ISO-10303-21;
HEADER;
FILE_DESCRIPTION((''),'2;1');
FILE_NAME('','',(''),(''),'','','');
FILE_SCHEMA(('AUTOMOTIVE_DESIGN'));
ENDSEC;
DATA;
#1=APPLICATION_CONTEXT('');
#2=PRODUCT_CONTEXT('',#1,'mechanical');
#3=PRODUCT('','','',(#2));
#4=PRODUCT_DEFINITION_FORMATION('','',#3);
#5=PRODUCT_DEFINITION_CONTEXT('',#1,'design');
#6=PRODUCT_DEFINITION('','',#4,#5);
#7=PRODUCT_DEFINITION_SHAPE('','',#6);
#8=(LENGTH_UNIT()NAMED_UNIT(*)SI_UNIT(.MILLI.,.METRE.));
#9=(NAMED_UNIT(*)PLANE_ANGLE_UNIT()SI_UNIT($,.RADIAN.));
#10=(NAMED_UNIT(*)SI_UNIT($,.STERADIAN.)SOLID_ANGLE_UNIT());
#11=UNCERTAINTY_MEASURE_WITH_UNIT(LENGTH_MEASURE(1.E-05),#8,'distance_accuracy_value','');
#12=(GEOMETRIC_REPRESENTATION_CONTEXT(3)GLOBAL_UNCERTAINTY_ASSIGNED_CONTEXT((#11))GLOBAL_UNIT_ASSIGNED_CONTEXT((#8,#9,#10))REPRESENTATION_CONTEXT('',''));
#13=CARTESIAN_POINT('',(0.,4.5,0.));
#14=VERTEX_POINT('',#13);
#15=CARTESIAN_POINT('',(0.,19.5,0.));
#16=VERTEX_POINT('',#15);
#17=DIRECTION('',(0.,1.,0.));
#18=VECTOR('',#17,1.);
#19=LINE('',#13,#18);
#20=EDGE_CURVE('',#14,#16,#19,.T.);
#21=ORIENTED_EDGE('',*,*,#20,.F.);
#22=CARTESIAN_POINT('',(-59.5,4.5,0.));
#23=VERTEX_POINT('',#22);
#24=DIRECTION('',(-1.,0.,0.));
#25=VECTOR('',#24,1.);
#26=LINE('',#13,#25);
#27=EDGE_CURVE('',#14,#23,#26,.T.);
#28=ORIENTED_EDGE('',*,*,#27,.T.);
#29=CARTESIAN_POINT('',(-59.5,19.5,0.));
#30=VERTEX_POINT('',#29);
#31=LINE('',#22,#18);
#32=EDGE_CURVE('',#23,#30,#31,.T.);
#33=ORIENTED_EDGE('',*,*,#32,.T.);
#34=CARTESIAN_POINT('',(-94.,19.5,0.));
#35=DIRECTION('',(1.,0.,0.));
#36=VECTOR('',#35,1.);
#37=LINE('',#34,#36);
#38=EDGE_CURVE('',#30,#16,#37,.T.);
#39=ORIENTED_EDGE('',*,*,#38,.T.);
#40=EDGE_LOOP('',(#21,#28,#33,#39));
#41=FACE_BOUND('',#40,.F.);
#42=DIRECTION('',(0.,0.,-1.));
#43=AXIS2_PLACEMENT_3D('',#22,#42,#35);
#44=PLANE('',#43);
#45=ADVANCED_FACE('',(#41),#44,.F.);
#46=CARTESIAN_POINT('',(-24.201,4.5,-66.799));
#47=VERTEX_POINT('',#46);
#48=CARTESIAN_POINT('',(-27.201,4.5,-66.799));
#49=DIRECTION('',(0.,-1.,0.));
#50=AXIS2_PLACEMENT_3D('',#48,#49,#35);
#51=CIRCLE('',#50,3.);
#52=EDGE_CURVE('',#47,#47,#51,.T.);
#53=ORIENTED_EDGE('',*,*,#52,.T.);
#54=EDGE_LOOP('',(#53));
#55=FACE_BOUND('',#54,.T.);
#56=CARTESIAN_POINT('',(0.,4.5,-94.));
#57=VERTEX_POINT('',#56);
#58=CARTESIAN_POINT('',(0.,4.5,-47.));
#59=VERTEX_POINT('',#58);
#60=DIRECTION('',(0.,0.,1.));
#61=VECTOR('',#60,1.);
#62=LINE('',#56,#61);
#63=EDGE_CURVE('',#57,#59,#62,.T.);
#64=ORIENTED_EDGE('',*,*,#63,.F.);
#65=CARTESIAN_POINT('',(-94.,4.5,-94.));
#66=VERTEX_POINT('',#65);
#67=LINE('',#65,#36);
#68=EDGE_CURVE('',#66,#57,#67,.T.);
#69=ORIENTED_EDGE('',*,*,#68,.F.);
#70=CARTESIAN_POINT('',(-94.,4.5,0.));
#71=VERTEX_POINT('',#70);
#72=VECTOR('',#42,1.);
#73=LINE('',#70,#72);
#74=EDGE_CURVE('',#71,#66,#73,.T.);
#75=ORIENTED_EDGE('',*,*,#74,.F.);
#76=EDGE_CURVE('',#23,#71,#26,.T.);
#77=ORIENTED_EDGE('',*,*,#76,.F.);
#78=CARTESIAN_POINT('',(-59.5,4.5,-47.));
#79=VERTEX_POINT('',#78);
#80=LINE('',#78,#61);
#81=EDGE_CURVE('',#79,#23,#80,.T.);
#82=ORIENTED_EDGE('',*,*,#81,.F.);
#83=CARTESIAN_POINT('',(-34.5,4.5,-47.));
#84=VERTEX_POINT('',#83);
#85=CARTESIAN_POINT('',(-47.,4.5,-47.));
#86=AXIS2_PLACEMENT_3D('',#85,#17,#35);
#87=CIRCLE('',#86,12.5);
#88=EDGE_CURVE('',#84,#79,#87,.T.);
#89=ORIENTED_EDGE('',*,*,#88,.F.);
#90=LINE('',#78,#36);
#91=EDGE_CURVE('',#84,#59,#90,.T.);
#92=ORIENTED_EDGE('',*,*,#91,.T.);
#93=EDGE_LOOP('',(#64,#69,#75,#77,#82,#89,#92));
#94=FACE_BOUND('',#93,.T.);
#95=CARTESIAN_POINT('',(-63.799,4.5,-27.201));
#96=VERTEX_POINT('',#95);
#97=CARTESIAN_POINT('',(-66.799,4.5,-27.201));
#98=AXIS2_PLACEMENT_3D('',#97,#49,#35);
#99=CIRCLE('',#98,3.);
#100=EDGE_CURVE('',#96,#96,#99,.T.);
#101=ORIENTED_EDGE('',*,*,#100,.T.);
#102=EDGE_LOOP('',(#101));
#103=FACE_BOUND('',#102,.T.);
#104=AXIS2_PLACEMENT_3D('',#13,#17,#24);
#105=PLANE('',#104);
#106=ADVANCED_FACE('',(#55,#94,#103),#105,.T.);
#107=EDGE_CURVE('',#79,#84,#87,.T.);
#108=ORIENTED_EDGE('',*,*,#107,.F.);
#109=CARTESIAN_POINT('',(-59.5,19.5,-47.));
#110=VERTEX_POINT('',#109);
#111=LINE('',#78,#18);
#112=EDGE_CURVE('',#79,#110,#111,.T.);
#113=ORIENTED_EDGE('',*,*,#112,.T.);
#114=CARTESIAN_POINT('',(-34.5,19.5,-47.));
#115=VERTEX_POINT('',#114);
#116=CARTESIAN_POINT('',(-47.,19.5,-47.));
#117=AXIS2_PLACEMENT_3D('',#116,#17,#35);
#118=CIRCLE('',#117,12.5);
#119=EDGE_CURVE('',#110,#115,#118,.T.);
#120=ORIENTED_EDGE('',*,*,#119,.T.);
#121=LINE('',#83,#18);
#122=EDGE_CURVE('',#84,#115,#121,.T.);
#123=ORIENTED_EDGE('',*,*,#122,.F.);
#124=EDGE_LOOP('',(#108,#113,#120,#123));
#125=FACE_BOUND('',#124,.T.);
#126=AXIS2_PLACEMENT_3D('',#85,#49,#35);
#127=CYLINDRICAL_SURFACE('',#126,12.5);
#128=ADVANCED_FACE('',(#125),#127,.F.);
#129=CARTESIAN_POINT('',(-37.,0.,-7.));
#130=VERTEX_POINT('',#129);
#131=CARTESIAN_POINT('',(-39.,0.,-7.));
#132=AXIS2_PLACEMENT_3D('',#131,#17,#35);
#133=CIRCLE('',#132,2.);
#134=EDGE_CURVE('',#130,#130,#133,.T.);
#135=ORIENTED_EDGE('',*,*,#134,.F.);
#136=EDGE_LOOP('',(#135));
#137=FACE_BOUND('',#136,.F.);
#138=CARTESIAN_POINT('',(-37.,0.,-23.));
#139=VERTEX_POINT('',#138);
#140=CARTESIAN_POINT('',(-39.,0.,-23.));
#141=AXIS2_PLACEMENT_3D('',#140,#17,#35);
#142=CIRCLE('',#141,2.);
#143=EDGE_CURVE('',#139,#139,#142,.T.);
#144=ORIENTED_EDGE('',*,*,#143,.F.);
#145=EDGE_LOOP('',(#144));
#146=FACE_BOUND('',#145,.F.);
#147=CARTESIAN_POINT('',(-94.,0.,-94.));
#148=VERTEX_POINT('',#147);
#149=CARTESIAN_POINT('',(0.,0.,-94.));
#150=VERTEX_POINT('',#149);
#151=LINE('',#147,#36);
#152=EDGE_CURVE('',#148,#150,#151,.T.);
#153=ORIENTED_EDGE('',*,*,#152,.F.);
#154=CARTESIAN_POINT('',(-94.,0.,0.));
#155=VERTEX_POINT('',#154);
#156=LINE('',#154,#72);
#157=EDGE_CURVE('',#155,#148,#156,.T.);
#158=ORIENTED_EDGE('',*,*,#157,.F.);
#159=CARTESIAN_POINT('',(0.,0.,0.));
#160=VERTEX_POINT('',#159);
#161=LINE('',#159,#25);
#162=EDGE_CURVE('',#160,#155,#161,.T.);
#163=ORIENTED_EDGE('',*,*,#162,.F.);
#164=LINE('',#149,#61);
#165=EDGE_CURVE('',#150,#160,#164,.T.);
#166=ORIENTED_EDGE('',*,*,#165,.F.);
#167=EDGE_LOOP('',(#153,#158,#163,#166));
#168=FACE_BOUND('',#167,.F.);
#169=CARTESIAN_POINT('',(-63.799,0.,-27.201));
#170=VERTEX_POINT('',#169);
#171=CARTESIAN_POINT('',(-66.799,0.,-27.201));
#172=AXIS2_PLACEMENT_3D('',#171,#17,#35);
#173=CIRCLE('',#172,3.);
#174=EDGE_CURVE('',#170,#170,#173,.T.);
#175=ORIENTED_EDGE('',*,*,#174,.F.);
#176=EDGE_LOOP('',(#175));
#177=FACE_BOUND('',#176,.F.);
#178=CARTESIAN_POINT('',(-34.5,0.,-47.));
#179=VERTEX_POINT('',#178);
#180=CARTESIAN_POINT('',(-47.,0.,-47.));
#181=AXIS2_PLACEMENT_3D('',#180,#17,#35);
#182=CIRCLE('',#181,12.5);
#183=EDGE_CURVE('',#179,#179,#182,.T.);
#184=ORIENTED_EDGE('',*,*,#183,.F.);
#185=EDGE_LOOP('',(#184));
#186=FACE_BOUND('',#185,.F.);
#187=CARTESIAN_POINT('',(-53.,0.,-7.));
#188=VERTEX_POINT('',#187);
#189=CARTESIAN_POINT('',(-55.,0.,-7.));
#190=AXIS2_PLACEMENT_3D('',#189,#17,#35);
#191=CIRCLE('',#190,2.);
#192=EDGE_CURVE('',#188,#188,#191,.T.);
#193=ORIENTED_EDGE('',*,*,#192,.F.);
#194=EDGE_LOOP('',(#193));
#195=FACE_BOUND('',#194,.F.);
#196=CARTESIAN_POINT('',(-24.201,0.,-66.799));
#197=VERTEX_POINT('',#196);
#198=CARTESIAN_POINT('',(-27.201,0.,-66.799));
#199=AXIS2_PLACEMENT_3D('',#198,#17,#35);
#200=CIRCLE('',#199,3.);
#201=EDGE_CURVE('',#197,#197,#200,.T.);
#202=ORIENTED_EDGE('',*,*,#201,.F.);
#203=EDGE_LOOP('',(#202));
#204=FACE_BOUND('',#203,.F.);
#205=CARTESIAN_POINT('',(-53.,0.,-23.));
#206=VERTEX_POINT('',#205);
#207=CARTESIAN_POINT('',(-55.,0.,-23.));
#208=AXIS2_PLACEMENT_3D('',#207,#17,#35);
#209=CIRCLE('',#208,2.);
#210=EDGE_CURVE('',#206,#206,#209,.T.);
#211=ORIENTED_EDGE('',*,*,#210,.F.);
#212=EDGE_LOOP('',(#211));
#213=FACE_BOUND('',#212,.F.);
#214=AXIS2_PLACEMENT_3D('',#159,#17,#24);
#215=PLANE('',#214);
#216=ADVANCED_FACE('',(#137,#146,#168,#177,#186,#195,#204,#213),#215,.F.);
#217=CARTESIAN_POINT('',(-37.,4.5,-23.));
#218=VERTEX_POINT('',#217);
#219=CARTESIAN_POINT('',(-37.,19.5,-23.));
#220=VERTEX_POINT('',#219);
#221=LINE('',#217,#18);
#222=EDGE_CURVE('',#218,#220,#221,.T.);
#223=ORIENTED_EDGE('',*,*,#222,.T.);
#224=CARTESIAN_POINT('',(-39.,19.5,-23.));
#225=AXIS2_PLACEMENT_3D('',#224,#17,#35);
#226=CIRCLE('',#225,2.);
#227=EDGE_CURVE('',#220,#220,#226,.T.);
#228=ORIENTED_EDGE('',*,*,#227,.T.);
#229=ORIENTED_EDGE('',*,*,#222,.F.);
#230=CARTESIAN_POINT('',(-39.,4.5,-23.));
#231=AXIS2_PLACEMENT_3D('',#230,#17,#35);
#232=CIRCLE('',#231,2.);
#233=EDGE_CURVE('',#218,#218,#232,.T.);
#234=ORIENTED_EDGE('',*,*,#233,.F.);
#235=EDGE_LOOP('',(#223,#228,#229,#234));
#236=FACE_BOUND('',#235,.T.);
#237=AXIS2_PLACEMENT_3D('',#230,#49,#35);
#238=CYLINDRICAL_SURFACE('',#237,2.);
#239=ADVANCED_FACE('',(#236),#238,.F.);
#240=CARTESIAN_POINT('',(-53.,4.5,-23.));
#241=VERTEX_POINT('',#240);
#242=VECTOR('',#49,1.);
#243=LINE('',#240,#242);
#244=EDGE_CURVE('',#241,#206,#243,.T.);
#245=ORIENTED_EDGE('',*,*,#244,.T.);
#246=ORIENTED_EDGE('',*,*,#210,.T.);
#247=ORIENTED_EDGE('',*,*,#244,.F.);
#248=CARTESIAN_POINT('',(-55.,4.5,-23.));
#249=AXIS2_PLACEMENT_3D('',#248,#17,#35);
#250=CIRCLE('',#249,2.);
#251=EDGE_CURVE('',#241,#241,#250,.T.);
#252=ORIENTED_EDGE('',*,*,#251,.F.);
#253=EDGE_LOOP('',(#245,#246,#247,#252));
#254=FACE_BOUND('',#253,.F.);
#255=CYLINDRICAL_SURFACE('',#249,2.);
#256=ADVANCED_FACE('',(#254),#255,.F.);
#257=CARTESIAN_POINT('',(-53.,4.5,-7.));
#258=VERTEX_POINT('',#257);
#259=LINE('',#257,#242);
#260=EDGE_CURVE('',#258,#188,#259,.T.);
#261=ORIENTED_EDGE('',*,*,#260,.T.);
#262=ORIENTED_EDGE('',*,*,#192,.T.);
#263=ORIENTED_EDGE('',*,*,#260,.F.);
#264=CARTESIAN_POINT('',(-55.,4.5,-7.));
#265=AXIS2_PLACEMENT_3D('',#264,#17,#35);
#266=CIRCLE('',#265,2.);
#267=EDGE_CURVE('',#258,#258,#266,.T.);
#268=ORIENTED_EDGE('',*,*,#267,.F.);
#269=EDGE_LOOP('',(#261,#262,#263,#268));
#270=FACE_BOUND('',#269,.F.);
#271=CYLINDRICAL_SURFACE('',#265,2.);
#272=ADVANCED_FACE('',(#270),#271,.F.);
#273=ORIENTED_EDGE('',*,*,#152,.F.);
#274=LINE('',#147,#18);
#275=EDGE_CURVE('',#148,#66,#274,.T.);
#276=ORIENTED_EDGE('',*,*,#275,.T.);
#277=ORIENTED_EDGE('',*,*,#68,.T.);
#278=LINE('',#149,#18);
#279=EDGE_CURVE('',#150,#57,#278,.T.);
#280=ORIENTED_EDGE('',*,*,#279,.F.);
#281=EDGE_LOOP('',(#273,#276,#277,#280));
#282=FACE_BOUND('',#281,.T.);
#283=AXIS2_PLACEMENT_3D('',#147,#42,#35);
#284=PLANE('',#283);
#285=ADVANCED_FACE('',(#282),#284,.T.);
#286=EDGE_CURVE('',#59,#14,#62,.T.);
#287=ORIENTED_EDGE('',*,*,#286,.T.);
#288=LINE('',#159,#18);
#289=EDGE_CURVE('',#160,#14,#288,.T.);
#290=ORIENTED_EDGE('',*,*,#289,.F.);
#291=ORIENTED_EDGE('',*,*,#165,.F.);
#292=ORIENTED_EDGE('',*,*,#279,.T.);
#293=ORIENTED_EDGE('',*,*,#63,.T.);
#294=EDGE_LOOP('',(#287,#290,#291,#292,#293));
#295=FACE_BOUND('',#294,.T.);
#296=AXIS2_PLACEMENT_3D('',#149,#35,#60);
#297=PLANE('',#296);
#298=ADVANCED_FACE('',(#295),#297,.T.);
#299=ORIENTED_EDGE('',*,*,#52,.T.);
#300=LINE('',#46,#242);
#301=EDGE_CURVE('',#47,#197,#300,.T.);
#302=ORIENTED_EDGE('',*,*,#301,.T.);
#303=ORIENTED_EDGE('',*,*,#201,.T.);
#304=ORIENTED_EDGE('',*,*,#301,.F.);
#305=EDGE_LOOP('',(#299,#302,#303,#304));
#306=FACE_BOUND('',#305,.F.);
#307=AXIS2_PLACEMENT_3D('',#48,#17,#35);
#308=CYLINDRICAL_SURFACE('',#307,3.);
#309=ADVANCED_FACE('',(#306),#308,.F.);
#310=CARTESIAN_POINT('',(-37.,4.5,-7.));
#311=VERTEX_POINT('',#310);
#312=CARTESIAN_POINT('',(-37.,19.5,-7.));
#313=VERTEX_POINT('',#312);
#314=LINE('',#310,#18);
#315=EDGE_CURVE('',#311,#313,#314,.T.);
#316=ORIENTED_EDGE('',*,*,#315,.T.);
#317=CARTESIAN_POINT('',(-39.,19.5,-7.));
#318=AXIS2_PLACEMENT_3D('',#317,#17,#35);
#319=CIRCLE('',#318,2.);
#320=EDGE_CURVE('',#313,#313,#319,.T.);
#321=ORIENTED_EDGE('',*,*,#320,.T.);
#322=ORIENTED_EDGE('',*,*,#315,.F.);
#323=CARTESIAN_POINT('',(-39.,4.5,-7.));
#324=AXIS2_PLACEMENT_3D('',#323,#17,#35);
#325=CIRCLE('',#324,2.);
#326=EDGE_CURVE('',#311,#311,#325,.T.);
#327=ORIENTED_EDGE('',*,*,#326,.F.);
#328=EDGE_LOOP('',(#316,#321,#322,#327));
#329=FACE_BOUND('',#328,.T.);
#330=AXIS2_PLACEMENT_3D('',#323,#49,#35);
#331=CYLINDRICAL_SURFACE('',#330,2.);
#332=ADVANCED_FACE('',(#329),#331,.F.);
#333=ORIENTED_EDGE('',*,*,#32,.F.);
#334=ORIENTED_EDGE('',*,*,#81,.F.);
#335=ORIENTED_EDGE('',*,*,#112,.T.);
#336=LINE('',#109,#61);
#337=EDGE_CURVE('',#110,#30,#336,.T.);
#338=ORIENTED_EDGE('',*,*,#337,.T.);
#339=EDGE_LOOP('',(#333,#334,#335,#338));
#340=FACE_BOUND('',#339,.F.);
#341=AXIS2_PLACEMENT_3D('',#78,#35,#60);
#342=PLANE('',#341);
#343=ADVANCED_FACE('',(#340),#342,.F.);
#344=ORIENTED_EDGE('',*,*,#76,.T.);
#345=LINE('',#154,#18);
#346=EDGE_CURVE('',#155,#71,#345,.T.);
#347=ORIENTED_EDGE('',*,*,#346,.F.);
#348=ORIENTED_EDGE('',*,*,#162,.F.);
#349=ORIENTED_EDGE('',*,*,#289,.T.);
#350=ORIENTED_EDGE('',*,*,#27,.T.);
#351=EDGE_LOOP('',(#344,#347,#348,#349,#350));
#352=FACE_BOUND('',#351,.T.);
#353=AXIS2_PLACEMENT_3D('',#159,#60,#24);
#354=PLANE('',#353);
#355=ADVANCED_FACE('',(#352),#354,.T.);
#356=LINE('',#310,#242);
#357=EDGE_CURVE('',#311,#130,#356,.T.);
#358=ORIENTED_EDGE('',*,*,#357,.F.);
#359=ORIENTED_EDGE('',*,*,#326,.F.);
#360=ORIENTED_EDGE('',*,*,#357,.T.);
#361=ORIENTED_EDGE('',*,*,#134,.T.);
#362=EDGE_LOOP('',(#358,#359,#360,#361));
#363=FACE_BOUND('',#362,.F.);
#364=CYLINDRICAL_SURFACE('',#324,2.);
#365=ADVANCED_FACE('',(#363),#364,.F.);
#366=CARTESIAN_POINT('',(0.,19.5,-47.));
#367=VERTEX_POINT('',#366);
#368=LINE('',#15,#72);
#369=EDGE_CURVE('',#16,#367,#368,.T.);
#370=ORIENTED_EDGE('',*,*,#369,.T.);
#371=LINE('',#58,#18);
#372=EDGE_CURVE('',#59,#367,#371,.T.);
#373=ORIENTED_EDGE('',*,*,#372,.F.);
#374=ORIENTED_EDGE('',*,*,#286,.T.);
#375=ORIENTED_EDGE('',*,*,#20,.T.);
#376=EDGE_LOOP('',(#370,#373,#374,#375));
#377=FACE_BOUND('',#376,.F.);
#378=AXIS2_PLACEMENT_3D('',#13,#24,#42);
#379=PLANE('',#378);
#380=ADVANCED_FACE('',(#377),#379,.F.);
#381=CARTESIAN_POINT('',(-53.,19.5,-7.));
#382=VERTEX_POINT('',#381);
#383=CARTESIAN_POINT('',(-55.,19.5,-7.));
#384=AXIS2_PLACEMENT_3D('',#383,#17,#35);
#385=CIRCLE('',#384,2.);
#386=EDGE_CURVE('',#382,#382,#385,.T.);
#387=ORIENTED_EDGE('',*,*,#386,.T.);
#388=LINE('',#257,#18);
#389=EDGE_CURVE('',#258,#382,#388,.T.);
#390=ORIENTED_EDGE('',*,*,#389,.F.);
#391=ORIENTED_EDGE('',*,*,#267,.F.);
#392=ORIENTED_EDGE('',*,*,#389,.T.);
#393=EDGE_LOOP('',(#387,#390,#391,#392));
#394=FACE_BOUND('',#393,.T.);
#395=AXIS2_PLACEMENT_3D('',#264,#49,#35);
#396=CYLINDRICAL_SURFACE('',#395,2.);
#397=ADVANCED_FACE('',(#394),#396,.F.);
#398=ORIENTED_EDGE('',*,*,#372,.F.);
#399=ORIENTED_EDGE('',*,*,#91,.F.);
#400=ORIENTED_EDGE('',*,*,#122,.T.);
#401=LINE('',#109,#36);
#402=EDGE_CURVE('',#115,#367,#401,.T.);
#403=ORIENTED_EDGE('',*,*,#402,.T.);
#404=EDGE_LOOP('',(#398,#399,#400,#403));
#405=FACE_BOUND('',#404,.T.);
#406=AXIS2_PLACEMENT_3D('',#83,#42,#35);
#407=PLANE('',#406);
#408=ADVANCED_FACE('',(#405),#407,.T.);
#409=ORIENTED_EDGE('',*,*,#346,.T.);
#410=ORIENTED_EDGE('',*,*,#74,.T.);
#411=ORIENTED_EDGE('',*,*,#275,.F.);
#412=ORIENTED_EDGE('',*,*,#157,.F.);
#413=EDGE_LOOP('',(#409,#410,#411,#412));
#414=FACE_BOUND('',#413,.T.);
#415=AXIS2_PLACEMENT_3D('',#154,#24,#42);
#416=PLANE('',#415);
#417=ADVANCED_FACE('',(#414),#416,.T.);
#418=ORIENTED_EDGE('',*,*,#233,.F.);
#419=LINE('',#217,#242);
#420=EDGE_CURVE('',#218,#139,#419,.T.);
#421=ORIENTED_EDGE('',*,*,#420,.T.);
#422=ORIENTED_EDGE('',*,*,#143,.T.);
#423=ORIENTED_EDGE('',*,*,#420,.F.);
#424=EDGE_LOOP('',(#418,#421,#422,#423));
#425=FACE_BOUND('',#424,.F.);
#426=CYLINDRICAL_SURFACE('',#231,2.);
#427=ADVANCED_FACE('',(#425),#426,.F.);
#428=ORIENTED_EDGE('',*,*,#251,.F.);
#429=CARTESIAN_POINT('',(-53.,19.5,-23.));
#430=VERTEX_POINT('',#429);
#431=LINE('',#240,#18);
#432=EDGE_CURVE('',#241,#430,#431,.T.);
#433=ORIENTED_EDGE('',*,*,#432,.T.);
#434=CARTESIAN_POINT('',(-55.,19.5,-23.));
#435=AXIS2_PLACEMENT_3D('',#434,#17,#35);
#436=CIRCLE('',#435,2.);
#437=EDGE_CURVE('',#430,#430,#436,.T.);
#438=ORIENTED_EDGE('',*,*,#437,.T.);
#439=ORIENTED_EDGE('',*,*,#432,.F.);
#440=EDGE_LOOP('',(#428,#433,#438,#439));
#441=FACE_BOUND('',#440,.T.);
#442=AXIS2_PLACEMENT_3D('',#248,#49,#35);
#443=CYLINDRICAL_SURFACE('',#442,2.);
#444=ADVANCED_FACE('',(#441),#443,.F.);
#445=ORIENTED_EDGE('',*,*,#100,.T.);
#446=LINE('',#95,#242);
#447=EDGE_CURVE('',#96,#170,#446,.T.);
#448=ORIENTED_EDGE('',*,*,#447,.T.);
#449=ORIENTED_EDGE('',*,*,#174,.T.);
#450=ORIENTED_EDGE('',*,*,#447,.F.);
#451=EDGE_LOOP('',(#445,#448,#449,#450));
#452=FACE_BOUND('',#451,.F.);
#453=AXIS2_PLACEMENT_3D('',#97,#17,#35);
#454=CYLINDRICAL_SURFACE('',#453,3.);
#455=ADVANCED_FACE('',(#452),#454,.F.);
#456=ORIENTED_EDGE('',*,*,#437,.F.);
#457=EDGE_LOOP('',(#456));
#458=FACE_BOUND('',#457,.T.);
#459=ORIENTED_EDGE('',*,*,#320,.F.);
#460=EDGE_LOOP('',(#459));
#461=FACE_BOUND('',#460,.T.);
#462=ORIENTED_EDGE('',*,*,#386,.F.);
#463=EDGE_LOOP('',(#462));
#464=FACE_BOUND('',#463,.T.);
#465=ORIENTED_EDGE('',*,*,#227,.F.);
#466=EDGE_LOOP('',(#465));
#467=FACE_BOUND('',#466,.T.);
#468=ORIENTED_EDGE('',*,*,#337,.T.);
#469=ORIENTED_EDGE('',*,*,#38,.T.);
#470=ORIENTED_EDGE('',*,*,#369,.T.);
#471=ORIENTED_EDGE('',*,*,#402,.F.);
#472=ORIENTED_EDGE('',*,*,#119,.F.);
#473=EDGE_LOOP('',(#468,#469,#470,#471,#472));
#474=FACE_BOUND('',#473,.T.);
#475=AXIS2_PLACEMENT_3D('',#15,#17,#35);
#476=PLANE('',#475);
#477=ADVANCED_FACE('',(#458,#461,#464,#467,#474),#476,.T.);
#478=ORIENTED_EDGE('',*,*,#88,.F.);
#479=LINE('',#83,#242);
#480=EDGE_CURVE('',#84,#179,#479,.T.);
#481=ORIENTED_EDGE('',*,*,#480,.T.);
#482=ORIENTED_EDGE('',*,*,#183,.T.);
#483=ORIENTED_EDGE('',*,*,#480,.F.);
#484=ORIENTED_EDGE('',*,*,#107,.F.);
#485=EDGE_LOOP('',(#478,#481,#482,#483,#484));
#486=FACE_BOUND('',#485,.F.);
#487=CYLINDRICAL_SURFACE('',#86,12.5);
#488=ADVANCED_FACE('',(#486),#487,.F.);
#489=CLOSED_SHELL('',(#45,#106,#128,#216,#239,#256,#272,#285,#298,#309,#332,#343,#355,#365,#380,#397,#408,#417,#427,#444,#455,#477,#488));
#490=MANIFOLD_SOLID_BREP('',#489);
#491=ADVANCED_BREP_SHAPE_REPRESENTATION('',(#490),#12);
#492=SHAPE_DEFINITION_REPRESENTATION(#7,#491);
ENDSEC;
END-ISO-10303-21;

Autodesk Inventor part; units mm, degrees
ref_plane "YZ Plane" through (0, 0, 0) normal (1, 0, 0) x (0, 1, 0)
sketch "Sketch1" plane through (0, 0, 0) normal (0, 1, 0) x (-1, 0, 0)
  line L0 (0, 0) -> (94, 0)
  line L1 (94, 0) -> (94, -94)
  line L2 (94, -94) -> (0, -94)
  line L3 (0, -94) -> (0, 0)
  dimension "d0" = 94
  dimension "d1" = 94
extrude "Extrusion1" add sketch "Sketch1" along normal blind 4.5
sketch "Sketch2" plane through (0, 4.5, 0) normal (0, 1, 0) x (1, 0, 0)
  circle A0 centre (-47, 47) radius 12.5
  point P0 (0, 0)
  dimension "d4" = 25
  dimension "d5" = 47
  dimension "d6" = 47
extrude "Extrusion2" cut sketch "Sketch2" against normal blind 4.5
ref_plane "Work Plane3" through (-54.5, 0, 0) normal (1, 0, 0) x (0, 0, -1)
sketch "Sketch4" plane through (0, 4.5, 0) normal (0, 1, 0) x (1, 0, 0)
  line L0 (0, 94) -> (-94, 94) projected
  line L1 (-94, 94) -> (-94, 0) projected
  line L2 (0, 94) -> (-94, 0)
  circle A0 centre (-27.201, 66.799) radius 3
  line L3 (-94, 94) -> (0, 0)
  circle A1 centre (-66.799, 27.201) radius 3
  circle A2 centre (-55, 23) radius 2
  circle A3 centre (-39, 23) radius 2
  circle A4 centre (-55, 7) radius 2
  circle A5 centre (-39, 7) radius 2
  line L4 (-94, 0) -> (0, 0) projected
  line L5 (-47, 94) -> (-47, 0)
  line L6 (0, 0) -> (0, 94) projected
  circle A6 centre (-47, 47) radius 12.5 projected
  point P0 (-47, 47)
  dimension "d21" = 6
  dimension "d25" = 4
  dimension "d26" = 4
  dimension "d27" = 4
  dimension "d28" = 4
  dimension "d29" = 16
  dimension "d30" = 16
  dimension "d31" = 16
  dimension "d32" = 16
  dimension "d33" = 7
  dimension "d34" = 39
  dimension "d35" = 7
  dimension "d36" = 39
  dimension "d66" = 28
extrude "Extrusion4" cut sketch "Sketch4" against normal blind 10 contours A0 L2 | L2 A0 | A1 L2 | L2 A1
extrude "Extrusion5" cut sketch "Sketch4" against normal blind 10 contours A2 | A3 | A4 | A5
sketch "Sketch5" plane through (0, 4.5, 0) normal (0, 1, 0) x (1, 0, 0)
  circle A0 centre (-47, 47) radius 12.5 projected
  line L0 (-59.5, 47) -> (-59.5, 0)
  line L1 (-59.5, 47) -> (0, 47)
  line L2 (0, 0) -> (0, 94) projected
  circle A1 centre (-47, 47) radius 12.5
  line L3 (-94, 0) -> (0, 0) projected
  line L4 (-59.5, 0) -> (0, 0)
  line L5 (0, 0) -> (0, 47)
  circle A2 centre (-55, 7) radius 2 projected
  circle A3 centre (-55, 7) radius 2
  circle A4 centre (-55, 23) radius 2 projected
  circle A5 centre (-55, 23) radius 2
  circle A6 centre (-39, 23) radius 2 projected
  circle A7 centre (-39, 23) radius 2
  circle A8 centre (-39, 7) radius 2 projected
  circle A9 centre (-39, 7) radius 2
  point P0 (-34.5, 47)
extrude "Extrusion6" add sketch "Sketch5" along normal blind 15 contours L1 L2 L3 L0 A0
ref_plane "Work Plane5" through (-94, 0, 0) normal (-0.7071, 0, -0.7071) x (0, 1, 0)
ref_plane "Work Plane6" through (0, -10, 0) normal (0, -1, 0) x (1, 0, 0)
properties part number "box cover" material "Wood (Birch)"
